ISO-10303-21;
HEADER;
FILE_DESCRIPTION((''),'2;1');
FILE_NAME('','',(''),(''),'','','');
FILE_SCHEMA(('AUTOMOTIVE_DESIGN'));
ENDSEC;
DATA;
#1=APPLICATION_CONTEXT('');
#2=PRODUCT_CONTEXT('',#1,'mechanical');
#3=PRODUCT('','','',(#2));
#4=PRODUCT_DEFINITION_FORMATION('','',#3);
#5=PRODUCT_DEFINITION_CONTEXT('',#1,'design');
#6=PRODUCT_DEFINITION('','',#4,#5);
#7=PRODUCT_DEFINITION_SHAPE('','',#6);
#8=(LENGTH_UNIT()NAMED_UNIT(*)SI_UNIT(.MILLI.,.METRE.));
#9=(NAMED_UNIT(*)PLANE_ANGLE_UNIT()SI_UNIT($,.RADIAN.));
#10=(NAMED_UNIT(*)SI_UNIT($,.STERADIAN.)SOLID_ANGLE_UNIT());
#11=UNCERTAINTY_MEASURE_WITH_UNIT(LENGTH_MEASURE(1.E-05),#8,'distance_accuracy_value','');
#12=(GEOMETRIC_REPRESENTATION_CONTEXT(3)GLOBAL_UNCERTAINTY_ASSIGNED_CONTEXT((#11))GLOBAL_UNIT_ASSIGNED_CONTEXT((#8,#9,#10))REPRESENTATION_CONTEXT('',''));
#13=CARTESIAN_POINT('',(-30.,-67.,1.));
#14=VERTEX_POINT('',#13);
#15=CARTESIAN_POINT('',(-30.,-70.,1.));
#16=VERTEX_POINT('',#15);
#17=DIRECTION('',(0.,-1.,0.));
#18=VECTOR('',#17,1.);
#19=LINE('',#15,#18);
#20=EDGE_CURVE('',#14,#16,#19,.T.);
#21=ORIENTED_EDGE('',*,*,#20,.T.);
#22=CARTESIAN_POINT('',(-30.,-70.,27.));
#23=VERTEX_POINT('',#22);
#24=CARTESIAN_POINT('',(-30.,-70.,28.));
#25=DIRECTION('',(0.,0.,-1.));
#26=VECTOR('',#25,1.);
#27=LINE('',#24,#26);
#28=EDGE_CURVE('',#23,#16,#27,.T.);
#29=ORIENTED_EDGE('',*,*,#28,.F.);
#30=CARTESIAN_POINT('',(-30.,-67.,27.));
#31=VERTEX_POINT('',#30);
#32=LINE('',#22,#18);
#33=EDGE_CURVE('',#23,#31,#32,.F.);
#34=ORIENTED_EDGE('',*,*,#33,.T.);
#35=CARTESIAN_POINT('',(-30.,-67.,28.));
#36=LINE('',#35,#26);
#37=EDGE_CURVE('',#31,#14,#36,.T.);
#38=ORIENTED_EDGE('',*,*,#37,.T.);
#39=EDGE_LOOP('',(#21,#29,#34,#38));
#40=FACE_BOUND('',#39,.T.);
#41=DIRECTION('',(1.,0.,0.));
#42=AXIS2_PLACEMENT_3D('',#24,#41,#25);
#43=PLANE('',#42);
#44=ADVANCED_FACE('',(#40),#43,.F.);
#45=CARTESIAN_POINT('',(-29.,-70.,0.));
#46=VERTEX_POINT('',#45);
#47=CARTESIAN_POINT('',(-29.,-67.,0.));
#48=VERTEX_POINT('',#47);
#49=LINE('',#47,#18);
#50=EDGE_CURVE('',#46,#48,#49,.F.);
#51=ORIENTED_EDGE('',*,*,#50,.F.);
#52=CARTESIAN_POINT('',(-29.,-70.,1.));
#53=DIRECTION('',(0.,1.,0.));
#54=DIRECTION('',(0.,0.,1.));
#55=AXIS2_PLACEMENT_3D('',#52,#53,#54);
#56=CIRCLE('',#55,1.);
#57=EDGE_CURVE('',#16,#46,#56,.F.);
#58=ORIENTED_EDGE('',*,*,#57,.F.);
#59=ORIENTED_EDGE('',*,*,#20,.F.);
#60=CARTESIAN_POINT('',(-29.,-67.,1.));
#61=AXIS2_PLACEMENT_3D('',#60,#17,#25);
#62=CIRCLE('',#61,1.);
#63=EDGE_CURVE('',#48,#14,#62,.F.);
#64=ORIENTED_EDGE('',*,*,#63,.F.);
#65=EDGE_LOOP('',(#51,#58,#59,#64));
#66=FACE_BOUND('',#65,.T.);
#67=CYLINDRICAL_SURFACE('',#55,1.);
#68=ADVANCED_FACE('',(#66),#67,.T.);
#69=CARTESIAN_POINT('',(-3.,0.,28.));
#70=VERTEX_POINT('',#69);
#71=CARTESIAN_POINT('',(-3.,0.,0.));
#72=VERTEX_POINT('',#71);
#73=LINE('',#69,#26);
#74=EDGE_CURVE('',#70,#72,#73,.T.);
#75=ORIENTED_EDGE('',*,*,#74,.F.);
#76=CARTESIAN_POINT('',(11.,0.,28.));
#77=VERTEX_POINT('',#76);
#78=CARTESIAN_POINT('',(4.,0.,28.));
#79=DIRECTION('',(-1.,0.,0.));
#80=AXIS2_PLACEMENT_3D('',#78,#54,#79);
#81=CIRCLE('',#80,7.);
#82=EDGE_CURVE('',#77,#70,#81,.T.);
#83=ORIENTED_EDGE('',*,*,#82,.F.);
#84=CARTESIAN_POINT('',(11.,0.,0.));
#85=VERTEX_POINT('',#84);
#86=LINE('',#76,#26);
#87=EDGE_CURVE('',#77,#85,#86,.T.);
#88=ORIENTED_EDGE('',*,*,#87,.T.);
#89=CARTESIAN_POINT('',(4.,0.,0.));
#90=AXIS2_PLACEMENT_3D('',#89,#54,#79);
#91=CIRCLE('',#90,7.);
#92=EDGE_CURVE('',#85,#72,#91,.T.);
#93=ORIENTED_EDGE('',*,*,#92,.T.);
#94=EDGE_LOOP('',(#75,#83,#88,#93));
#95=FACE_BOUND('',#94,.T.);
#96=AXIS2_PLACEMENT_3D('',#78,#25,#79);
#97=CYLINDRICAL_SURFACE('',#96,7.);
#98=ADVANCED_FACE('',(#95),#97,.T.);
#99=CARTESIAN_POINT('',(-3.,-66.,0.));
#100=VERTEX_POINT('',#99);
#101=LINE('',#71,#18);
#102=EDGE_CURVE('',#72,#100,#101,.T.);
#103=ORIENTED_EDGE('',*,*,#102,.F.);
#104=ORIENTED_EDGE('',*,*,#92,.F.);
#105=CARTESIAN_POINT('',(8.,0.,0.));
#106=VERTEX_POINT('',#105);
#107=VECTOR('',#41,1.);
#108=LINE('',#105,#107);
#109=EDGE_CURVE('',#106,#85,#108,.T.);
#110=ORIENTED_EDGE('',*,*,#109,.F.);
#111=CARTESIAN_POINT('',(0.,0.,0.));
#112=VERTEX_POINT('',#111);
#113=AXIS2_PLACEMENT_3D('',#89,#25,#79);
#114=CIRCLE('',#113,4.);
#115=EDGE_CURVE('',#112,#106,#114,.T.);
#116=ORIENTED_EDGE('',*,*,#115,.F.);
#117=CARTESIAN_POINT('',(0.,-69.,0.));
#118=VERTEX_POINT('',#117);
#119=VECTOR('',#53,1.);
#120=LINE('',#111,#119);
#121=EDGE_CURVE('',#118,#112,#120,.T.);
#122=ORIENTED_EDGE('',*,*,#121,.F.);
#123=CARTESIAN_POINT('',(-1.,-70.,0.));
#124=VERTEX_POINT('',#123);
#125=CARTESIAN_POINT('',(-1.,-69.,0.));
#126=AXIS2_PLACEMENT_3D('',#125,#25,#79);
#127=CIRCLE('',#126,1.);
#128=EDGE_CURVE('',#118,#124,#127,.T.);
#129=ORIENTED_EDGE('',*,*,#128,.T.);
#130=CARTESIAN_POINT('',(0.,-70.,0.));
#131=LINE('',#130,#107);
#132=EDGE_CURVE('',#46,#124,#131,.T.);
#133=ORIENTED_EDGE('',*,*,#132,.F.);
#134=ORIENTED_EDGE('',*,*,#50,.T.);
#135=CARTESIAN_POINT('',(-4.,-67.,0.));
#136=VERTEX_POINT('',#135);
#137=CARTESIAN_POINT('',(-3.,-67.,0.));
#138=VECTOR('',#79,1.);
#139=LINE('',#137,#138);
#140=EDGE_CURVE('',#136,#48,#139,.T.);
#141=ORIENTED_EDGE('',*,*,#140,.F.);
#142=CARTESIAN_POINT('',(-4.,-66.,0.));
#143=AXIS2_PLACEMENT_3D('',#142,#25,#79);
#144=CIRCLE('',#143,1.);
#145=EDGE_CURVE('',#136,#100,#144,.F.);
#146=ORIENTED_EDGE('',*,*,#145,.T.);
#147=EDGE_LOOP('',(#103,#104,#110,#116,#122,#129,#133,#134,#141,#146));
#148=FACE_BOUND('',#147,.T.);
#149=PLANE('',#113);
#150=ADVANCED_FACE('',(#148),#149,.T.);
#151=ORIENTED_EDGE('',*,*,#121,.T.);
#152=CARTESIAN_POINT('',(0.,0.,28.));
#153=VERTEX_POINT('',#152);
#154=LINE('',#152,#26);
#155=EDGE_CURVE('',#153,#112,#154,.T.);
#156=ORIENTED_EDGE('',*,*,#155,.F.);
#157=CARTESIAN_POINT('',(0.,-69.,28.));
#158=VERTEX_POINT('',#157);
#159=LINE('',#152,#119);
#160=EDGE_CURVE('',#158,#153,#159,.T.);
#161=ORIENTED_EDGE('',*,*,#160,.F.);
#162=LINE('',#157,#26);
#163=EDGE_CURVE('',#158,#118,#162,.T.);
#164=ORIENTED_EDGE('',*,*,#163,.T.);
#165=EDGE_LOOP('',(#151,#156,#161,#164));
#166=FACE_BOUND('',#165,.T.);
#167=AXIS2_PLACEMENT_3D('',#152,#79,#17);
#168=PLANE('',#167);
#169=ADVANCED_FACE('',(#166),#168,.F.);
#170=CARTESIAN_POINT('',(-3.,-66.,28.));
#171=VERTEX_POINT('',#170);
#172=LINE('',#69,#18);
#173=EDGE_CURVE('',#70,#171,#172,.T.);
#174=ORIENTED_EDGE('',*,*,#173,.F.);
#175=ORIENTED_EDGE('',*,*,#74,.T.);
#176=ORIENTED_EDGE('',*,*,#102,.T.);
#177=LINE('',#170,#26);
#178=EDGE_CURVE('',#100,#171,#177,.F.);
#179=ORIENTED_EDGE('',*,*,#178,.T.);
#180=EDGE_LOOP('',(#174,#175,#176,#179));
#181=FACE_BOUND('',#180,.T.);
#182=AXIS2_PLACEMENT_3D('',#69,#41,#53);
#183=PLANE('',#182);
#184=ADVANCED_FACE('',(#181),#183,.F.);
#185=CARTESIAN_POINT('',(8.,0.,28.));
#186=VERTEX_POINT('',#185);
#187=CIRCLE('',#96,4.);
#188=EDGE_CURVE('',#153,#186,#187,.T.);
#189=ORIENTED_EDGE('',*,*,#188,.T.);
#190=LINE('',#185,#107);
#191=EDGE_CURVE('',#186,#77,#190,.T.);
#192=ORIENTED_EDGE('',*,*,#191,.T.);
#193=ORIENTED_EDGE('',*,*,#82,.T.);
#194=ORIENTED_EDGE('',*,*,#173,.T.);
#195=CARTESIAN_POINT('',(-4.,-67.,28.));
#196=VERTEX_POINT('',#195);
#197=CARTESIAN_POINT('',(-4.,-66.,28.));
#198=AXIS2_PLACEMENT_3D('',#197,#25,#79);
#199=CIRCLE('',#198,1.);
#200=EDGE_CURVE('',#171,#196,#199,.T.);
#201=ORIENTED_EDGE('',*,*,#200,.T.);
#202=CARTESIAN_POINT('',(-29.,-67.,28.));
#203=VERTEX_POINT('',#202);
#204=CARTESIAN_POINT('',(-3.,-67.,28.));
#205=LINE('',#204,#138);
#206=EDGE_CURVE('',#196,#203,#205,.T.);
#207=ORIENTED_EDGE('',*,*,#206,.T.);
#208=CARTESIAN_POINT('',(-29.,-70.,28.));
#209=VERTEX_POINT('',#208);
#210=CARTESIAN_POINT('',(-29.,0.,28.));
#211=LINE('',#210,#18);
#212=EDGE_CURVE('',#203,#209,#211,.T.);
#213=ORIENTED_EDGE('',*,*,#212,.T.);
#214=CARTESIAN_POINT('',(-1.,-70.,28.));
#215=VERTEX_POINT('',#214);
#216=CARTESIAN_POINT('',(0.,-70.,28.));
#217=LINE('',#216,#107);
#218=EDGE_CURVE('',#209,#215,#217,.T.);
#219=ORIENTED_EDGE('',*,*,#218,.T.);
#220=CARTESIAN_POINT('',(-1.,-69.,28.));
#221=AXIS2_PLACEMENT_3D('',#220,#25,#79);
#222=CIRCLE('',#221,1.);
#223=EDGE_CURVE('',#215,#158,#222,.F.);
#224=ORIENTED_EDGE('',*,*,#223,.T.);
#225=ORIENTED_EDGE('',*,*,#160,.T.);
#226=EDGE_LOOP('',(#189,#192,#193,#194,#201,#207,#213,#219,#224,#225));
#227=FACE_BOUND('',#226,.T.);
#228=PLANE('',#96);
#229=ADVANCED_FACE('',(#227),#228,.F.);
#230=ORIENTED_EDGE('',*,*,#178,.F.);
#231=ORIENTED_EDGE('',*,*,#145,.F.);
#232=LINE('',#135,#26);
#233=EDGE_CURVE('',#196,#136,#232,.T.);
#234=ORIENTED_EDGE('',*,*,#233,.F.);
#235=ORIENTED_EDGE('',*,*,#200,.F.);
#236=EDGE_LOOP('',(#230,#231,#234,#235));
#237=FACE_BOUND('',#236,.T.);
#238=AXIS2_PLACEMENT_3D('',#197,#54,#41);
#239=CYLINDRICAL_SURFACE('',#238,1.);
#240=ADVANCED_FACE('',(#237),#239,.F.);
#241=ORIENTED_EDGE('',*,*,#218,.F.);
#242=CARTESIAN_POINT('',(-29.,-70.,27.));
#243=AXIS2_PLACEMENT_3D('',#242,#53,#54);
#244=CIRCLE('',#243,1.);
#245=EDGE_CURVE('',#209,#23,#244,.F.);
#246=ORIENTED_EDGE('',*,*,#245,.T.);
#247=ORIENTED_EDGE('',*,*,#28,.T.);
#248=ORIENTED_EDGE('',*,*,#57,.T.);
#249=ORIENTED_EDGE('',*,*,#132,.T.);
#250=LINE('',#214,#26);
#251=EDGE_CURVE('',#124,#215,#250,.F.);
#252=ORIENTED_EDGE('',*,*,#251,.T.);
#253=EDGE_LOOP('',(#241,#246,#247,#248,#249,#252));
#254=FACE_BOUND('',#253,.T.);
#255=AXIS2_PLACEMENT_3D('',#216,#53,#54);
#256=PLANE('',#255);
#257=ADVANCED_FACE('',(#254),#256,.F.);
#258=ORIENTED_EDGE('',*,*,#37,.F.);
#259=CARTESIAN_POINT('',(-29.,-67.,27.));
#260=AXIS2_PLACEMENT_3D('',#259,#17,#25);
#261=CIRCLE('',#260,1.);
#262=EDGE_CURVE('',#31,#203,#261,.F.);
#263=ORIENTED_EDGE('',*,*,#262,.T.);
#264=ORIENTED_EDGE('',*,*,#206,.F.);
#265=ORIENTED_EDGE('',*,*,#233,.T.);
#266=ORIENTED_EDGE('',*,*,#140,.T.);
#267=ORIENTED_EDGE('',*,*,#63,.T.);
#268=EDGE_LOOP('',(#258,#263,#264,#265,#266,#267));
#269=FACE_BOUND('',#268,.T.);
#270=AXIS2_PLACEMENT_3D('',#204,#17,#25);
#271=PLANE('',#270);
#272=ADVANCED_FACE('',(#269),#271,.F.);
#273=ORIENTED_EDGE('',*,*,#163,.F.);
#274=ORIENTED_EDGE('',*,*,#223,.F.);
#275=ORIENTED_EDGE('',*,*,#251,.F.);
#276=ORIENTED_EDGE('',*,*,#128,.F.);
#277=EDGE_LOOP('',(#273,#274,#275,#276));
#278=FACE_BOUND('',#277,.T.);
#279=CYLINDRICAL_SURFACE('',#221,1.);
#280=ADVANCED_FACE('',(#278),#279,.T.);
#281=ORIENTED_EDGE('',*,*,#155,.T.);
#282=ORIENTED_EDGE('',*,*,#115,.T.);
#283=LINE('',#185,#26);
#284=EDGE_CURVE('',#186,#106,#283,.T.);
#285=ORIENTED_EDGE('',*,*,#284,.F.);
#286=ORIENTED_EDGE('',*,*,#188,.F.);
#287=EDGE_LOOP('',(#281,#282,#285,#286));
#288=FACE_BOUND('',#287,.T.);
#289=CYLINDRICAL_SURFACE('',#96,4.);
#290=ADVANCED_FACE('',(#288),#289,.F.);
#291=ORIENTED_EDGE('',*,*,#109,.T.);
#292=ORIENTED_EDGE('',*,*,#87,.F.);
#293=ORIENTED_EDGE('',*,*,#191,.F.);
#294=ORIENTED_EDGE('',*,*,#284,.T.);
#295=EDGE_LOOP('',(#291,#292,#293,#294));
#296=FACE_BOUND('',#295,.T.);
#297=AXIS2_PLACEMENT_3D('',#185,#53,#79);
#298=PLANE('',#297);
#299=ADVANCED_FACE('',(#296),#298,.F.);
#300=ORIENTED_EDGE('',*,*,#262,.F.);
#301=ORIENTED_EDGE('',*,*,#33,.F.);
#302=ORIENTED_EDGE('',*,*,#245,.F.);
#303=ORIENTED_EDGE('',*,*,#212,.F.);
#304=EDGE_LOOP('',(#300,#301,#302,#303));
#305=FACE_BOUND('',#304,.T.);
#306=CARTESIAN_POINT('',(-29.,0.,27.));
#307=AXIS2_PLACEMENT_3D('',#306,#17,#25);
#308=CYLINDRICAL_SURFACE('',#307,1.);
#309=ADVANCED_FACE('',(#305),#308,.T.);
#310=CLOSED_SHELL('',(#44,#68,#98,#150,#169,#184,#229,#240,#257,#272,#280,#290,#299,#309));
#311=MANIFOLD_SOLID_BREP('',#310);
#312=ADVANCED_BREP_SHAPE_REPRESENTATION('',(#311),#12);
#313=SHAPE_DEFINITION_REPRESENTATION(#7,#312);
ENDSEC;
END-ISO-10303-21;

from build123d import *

# Parameters (mm, degrees)
BOSS_EXTRUDE1_DEPTH = 28
FILLET1_R           = 1


with BuildPart() as part:
    # Sketch1 → Boss-Extrude1 (new body)
    with BuildSketch(Plane.XY):
        with BuildLine():
            Line((0, 0), (0, -70))
            Line((0, -70), (-30, -70))
            Line((-30, -70), (-30, -67))
            Line((-30, -67), (-3, -67))
            Line((-3, -67), (-3, 0))
            ThreePointArc((-3, 0), (4, 7), (11, 0))
            Line((11, 0), (8, 0))
            ThreePointArc((8, 0), (4, 4), (0, 0))
        make_face()
    extrude(amount=BOSS_EXTRUDE1_DEPTH)

    # Fillet1
    fillet1_edges = [part.edges().sort_by_distance(p)[0] for p in [
        (0, -70, 14),
        (-3, -67, 14),
        (-30, -68.5, 28),
        (-30, -68.5, 0),
    ]]
    fillet(fillet1_edges, radius=FILLET1_R)


solid = part.part
